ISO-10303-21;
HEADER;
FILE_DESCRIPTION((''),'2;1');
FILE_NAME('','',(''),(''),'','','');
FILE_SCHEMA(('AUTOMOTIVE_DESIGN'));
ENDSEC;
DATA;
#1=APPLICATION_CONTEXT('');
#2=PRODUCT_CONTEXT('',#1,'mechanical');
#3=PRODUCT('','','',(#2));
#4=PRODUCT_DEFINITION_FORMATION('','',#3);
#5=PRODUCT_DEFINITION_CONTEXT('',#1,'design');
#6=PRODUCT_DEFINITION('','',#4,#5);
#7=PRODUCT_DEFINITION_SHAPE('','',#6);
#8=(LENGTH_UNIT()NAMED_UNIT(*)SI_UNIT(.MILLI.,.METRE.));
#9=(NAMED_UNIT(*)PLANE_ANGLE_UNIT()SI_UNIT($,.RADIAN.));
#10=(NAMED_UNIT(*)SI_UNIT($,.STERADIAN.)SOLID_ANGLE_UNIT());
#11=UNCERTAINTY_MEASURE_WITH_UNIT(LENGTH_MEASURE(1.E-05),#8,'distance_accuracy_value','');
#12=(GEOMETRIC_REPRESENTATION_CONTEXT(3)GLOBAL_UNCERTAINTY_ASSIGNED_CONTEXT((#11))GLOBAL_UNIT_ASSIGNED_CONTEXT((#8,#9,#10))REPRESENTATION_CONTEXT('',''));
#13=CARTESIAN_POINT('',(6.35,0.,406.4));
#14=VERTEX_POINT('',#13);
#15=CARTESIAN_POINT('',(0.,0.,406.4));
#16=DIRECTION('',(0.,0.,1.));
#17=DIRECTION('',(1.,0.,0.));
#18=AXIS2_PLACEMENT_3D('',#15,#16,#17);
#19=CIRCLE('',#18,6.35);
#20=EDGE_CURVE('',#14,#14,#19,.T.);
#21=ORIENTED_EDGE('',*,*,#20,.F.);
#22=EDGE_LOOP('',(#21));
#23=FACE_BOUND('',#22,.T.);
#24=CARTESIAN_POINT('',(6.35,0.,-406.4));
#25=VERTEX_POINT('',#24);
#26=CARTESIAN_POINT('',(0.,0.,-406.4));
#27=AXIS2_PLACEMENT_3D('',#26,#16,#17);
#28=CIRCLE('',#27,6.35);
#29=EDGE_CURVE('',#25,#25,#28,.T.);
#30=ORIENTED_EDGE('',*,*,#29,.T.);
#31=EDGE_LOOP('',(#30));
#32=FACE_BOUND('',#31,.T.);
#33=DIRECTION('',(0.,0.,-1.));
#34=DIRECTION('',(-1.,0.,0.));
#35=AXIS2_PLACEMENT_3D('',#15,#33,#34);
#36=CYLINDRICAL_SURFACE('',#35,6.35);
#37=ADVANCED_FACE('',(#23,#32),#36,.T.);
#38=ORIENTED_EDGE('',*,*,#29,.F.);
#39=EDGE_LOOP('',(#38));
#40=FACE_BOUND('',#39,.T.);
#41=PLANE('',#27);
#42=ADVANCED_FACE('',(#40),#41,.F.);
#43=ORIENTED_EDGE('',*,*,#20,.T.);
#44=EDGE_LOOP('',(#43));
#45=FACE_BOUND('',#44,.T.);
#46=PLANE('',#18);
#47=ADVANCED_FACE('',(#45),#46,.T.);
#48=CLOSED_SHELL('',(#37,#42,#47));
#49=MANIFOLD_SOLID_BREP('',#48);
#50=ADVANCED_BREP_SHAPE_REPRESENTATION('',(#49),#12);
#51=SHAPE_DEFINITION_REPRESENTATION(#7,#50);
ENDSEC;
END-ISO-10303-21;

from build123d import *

# Parameters (mm, degrees)
SKETCH1_R           = 6.35
BOSS_EXTRUDE1_DEPTH = 406.4


with BuildPart() as part:
    # Sketch1 → Boss-Extrude1 (new body, symmetric)
    with BuildSketch(Plane.XY):
        Circle(SKETCH1_R)
    extrude(amount=BOSS_EXTRUDE1_DEPTH, both=True)


solid = part.part
